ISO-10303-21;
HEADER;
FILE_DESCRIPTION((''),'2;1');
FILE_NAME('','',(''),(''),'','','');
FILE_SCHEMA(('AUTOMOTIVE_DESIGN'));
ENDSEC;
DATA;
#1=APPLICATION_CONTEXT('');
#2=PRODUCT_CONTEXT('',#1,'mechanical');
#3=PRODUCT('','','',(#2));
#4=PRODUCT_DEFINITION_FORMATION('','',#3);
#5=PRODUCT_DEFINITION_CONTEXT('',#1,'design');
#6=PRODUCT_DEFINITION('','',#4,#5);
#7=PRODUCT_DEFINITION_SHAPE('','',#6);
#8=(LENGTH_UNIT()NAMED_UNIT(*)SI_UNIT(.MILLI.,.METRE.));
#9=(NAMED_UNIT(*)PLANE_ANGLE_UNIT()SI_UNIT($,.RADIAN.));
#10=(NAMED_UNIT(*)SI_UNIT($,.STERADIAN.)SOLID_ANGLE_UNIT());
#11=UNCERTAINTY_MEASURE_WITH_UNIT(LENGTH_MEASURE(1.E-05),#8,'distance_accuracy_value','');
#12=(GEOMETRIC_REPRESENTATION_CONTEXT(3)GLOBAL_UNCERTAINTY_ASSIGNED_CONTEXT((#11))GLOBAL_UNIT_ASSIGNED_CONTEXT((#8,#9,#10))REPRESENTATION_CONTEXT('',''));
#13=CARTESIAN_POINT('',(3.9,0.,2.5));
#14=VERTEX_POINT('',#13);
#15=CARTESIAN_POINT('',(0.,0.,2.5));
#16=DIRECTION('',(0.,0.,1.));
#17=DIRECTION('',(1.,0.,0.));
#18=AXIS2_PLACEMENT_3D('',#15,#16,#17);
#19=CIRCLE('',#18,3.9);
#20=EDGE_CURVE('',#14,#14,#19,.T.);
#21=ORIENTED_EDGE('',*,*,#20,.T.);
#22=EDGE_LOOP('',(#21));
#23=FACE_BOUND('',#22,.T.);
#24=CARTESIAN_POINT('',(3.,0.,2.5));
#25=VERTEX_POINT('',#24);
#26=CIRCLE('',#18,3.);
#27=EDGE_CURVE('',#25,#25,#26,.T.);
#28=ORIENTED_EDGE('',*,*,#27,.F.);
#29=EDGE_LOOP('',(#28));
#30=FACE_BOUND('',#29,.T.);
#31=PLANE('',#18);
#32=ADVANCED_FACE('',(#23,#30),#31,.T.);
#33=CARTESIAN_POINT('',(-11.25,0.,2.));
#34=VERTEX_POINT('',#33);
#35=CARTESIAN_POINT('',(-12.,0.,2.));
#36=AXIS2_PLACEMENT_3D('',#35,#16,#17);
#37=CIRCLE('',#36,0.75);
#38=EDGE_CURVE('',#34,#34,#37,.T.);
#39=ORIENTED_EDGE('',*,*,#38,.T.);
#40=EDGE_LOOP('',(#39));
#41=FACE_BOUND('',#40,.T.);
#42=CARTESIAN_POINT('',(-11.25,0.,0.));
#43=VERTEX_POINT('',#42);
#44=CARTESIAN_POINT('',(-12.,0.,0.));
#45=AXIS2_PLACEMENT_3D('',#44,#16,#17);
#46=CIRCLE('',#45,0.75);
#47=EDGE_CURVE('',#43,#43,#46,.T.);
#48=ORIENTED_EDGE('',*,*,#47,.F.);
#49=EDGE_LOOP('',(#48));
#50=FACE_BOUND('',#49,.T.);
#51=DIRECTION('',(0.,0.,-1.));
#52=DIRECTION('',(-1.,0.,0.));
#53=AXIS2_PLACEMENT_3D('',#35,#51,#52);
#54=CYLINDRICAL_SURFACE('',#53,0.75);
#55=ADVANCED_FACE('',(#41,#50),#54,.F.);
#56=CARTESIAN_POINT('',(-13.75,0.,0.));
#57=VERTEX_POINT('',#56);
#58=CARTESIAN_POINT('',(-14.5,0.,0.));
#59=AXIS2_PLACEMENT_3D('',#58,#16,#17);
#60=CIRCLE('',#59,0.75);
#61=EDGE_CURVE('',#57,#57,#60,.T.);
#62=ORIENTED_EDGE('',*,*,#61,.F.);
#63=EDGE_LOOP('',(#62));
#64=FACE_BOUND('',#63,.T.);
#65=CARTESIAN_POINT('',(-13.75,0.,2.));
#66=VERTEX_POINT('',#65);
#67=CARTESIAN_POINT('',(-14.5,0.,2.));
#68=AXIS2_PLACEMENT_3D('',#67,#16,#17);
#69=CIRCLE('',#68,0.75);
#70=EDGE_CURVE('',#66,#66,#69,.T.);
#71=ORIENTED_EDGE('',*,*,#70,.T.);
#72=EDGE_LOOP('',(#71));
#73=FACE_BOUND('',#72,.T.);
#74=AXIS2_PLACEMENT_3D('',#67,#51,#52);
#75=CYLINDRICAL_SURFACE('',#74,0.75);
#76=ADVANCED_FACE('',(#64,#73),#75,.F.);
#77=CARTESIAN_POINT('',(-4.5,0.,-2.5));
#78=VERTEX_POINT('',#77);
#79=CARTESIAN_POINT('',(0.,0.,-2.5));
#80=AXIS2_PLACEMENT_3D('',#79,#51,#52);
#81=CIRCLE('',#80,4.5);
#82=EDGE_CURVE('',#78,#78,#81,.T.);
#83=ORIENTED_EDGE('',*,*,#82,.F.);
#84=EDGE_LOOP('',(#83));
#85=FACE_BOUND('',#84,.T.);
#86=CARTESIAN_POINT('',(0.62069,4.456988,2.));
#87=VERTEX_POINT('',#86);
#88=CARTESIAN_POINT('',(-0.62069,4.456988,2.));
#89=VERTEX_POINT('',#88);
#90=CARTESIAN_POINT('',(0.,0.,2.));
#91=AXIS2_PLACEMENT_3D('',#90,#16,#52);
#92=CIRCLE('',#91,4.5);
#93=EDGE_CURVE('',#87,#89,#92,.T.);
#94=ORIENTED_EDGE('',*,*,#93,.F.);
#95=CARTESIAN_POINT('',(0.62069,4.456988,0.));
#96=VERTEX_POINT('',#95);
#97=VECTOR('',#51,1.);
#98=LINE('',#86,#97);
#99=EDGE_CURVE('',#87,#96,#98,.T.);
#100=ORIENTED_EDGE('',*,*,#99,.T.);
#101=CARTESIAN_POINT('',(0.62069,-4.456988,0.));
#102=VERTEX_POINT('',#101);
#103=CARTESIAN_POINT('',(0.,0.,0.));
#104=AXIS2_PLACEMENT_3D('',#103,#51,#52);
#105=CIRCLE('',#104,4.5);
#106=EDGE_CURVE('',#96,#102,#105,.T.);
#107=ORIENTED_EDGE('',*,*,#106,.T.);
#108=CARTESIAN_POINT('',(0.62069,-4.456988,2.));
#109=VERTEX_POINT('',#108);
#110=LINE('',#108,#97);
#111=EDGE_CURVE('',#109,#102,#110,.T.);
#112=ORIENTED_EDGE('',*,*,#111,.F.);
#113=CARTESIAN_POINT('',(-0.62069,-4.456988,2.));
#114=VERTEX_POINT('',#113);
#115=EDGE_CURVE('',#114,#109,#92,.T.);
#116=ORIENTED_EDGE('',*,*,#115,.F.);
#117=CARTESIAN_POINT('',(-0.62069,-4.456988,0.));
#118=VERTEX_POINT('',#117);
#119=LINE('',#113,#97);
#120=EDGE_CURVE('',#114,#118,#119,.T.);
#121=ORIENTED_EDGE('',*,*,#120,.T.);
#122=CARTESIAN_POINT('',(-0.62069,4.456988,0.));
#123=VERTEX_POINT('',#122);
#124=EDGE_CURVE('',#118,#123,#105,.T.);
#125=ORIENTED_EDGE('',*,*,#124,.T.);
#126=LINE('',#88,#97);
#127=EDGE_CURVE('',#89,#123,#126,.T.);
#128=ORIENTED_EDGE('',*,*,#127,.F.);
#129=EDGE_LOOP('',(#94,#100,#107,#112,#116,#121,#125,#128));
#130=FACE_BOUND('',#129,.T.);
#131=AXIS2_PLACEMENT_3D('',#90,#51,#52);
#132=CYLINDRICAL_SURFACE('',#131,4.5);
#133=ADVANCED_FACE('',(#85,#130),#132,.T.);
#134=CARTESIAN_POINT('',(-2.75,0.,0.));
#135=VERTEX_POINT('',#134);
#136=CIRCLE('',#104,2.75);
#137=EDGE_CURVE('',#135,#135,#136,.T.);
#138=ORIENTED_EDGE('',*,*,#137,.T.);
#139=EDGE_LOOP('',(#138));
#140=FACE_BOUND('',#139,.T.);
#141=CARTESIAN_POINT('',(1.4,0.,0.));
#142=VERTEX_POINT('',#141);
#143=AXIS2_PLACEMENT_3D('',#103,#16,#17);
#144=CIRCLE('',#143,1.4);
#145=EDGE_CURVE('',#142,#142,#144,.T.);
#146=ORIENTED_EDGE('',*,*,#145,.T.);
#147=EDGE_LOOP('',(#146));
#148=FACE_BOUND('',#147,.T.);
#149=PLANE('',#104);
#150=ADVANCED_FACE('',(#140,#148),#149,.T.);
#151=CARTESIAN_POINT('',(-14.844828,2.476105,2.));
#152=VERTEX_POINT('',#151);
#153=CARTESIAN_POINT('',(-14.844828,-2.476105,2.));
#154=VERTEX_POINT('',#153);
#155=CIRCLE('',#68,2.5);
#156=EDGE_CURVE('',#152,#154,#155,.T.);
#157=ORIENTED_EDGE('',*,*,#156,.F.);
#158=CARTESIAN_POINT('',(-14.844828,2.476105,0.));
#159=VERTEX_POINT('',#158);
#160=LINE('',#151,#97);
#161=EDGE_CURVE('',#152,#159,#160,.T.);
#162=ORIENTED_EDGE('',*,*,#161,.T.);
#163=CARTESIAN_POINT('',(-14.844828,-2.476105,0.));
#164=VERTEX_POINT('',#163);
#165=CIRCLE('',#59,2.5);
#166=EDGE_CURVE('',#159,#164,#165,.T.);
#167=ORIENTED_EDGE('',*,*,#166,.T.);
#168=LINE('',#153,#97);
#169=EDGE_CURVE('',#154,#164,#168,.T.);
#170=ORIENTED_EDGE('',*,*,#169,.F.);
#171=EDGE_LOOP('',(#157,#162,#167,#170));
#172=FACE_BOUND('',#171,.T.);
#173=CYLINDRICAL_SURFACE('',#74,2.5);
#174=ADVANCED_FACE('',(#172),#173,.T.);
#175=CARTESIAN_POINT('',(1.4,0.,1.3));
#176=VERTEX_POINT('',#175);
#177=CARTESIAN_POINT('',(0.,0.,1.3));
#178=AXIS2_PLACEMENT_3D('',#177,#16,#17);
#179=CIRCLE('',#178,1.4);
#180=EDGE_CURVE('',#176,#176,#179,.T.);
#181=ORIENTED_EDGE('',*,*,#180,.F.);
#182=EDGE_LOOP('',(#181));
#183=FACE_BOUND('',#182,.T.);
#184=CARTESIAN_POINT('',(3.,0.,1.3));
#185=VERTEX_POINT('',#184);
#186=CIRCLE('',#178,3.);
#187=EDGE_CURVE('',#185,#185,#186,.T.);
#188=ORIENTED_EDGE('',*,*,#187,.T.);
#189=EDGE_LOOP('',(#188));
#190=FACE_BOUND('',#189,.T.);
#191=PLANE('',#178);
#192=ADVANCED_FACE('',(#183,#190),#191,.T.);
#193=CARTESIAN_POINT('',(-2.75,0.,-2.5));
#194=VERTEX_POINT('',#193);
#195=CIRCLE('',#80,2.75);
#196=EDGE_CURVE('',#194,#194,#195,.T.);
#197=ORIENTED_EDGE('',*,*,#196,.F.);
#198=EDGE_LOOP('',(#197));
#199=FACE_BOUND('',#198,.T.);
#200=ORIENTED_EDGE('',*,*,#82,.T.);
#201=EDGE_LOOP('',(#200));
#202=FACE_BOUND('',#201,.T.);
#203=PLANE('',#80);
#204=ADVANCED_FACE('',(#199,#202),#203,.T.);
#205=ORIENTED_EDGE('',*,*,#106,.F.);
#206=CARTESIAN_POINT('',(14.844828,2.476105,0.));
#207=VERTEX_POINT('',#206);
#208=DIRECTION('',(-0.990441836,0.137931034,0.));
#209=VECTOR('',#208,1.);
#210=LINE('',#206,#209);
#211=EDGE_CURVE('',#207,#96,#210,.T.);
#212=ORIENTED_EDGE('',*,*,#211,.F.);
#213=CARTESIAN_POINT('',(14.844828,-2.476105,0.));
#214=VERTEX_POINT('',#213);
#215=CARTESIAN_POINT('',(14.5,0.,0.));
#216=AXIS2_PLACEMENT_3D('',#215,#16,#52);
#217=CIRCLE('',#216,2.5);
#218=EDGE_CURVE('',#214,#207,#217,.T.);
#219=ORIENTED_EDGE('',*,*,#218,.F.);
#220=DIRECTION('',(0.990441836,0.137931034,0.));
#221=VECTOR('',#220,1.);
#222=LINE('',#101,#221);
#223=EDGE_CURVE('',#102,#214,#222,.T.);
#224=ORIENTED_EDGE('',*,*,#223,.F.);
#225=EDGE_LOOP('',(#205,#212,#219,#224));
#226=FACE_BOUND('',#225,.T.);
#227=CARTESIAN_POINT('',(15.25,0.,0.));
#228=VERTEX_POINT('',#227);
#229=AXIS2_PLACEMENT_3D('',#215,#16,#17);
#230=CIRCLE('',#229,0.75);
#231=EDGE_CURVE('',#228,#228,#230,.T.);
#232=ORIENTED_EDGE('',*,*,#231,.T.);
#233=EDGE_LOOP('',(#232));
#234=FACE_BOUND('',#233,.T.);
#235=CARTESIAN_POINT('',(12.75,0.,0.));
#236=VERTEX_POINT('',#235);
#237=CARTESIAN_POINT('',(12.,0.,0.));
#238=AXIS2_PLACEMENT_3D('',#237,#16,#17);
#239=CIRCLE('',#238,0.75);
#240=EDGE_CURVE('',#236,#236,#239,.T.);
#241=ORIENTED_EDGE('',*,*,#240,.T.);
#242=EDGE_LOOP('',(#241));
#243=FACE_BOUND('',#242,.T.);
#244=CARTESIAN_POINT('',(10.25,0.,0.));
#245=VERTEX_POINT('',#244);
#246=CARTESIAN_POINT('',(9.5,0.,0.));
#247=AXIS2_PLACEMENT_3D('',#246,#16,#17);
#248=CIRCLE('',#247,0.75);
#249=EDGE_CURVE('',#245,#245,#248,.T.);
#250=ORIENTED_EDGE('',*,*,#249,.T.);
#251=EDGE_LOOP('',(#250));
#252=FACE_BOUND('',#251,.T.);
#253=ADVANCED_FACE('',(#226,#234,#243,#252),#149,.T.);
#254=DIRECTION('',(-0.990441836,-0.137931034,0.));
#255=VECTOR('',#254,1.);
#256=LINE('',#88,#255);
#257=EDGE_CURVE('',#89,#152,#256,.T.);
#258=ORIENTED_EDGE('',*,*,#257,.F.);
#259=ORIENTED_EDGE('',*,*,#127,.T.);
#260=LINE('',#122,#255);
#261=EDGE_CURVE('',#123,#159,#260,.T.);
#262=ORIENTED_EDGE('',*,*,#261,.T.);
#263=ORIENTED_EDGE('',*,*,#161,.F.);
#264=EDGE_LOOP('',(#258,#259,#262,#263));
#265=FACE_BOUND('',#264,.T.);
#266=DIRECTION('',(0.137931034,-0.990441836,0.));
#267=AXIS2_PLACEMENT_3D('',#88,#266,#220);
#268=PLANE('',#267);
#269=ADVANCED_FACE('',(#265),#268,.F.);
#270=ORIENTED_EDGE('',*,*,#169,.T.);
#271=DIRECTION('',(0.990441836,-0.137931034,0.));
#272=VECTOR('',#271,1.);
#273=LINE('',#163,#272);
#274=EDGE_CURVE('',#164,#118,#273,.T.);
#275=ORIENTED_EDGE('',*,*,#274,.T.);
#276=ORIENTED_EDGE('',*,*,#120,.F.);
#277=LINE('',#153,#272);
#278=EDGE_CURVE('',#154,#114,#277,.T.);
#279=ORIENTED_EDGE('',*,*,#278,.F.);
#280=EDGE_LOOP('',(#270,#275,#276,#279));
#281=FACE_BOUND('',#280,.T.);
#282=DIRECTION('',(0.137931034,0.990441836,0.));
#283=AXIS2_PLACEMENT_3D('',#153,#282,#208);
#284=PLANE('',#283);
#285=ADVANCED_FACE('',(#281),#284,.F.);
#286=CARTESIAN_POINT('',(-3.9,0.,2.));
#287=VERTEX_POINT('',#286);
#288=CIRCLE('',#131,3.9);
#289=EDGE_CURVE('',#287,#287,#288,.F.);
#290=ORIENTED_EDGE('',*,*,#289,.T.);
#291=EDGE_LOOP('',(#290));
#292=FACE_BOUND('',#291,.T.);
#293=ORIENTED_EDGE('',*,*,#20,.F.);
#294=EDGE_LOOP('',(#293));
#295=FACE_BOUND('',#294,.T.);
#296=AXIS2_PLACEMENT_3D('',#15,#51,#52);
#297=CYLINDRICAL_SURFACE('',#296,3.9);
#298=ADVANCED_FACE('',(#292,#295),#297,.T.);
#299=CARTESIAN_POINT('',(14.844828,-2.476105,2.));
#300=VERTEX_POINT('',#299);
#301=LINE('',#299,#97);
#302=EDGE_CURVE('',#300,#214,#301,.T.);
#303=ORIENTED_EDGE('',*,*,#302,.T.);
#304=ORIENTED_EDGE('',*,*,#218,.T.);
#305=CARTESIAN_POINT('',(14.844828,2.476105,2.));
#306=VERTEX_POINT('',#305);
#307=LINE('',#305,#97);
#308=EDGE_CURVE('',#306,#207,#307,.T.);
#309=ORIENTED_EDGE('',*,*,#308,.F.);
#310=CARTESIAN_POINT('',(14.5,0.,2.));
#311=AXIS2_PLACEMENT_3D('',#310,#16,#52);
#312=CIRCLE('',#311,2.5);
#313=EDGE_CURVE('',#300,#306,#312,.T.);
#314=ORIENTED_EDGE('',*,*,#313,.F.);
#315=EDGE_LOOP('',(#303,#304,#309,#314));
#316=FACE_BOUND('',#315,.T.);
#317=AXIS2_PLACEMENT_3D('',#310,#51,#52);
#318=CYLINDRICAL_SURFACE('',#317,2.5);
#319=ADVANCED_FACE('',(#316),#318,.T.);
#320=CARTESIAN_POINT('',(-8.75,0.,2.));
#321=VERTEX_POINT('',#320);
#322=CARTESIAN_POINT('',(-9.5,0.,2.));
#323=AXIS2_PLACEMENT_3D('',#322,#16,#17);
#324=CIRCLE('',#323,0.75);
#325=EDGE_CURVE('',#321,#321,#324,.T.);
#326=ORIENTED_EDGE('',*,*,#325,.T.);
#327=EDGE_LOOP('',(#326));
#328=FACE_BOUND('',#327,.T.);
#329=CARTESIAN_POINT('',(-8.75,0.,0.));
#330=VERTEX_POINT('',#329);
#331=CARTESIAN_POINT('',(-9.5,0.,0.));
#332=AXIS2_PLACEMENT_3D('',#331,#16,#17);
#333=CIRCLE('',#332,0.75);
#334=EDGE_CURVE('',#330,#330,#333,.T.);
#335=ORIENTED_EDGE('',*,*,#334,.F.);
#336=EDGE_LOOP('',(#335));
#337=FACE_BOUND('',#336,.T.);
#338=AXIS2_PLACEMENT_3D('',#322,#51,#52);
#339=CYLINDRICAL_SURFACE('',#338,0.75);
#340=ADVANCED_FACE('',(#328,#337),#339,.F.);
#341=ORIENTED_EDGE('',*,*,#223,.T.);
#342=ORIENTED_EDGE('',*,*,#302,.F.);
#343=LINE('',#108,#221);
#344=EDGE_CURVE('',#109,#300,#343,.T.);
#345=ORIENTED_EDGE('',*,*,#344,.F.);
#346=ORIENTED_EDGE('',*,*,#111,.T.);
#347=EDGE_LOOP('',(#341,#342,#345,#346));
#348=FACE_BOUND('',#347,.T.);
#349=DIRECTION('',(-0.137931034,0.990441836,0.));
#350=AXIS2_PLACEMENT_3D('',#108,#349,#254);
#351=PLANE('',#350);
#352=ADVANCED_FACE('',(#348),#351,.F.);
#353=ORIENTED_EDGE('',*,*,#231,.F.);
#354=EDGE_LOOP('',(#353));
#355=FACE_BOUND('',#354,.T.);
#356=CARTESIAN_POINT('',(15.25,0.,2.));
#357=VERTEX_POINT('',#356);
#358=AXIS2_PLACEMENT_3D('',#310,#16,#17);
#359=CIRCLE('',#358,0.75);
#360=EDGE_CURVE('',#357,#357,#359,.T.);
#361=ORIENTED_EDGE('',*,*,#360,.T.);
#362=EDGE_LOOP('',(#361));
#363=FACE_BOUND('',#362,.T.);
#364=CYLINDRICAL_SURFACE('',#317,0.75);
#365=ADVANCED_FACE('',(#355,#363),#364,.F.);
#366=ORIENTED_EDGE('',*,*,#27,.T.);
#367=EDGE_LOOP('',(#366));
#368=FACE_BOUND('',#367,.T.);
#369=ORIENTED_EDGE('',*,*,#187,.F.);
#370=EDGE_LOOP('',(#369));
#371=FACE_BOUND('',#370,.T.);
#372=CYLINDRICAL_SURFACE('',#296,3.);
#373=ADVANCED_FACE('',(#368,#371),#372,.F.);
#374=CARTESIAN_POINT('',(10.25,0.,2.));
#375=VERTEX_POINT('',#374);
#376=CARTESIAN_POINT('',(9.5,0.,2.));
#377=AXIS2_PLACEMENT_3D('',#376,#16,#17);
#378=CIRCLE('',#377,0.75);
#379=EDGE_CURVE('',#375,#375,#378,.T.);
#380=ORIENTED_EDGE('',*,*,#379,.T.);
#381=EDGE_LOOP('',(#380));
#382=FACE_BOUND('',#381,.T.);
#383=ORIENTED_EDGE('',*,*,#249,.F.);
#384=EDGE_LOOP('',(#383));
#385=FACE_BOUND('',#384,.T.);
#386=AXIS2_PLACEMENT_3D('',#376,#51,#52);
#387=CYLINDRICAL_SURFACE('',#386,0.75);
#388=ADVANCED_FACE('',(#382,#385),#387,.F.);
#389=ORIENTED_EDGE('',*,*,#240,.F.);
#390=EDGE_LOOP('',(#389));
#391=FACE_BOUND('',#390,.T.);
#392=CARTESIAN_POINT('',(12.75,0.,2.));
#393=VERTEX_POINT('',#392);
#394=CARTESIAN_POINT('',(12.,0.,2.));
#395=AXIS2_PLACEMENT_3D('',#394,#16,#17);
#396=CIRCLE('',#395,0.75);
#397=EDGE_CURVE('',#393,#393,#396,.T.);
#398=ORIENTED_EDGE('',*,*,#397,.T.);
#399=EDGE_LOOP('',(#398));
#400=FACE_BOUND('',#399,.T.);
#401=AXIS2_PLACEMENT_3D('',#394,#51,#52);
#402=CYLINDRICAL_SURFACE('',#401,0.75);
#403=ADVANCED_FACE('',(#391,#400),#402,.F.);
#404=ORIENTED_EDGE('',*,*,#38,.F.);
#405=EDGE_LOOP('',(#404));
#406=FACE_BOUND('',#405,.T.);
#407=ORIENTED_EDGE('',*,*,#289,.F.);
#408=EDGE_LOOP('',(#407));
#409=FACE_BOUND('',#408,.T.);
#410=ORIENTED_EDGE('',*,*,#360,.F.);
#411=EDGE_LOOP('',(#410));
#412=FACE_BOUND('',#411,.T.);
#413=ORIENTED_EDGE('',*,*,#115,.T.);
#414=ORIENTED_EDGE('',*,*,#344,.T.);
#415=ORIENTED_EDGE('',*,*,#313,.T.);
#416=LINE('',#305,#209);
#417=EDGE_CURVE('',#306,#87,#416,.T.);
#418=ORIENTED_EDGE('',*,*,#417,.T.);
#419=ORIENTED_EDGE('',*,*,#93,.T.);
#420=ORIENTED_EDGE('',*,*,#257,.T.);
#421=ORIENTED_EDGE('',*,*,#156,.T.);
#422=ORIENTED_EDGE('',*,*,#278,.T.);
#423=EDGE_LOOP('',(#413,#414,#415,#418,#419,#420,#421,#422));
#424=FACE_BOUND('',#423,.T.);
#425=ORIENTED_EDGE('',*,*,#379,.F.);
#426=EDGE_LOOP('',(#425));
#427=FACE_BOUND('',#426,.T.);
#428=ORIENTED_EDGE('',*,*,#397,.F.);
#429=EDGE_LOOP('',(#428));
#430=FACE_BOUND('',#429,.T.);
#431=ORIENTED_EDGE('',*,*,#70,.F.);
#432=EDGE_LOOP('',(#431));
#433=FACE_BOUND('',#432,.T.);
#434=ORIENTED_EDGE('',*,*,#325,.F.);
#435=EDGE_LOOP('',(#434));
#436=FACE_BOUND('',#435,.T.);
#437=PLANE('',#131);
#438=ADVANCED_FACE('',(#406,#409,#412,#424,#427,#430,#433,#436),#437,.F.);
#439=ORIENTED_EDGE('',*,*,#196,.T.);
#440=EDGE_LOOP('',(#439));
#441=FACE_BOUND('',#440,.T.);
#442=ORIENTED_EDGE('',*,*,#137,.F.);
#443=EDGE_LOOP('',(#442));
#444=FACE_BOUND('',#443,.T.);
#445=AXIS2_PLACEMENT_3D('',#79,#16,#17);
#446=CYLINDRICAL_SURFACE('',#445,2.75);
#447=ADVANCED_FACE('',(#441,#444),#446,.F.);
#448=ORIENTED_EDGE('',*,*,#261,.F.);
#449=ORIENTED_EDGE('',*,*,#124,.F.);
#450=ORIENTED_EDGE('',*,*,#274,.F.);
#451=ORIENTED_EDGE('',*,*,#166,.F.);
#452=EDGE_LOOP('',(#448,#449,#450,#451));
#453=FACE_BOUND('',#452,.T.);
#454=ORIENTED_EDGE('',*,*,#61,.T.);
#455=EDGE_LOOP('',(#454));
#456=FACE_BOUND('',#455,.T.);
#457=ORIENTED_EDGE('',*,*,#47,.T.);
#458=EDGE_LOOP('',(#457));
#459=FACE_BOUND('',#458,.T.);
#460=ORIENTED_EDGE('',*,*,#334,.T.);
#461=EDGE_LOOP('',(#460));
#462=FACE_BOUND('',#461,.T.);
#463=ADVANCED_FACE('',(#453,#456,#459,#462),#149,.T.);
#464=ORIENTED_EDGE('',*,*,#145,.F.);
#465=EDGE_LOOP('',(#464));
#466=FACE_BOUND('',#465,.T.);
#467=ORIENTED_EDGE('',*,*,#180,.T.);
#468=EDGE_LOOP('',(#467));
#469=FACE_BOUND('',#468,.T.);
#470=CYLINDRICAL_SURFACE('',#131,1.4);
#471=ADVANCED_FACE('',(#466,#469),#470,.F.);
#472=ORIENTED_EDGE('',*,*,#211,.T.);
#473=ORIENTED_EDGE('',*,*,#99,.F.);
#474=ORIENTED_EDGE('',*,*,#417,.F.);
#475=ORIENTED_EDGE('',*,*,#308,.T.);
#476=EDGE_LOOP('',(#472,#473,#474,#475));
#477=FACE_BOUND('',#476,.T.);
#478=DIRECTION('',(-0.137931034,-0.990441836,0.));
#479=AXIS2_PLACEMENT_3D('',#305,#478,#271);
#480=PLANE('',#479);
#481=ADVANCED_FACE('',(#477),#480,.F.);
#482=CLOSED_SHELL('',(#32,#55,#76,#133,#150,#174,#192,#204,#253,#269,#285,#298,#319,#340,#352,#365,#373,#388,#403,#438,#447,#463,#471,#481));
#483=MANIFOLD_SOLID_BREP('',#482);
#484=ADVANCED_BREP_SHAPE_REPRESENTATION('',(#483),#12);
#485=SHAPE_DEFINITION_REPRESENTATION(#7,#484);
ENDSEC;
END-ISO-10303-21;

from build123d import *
from build123d.topology import SkipClean

# Parameters (mm, degrees)
ESQUISSE1_R             = 1.4
ESQUISSE1_R_2           = 0.75
BOSS_EXTRU_1_DEPTH      = 2
ESQUISSE2_R             = 3.9
ESQUISSE2_R_2           = 3
BOSS_EXTRU_2_DEPTH      = 0.5
ENL_V_START             = -1.2
ESQUISSE3_R             = 3
ENL_V_MAT_EXTRU_1_DEPTH = 1.2
BOSS_EXTRU_3_START      = 2.5
ESQUISSE4_R             = 4.5
ESQUISSE4_R_2           = 2.75
BOSS_EXTRU_3_DEPTH      = 2.5


with BuildPart() as part:
    # Esquisse1 → Boss.-Extru.1 (new body)
    with BuildSketch(Plane.XY):
        with BuildLine():
            Line((-0.620689655, 4.45698826), (-14.844827586, 2.476104589))
            ThreePointArc((-14.844827586, 2.476104589), (-17, 0), (-14.844827586, -2.476104589))
            Line((-14.844827586, -2.476104589), (-0.620689655, -4.45698826))
            ThreePointArc((-0.620689655, -4.45698826), (0, -4.5), (0.620689655, -4.45698826))
            Line((0.620689655, -4.45698826), (14.844827586, -2.476104589))
            ThreePointArc((14.844827586, -2.476104589), (17, 0), (14.844827586, 2.476104589))
            Line((14.844827586, 2.476104589), (0.620689655, 4.45698826))
            ThreePointArc((0.620689655, 4.45698826), (0, 4.5), (-0.620689655, 4.45698826))
        make_face()
        Circle(ESQUISSE1_R, mode=Mode.SUBTRACT)
        with Locations((14.5, 0)):
            Circle(ESQUISSE1_R_2, mode=Mode.SUBTRACT)
        with Locations((-14.5, 0)):
            Circle(ESQUISSE1_R_2, mode=Mode.SUBTRACT)
        with Locations((-12, 0)):
            Circle(ESQUISSE1_R_2, mode=Mode.SUBTRACT)
        with Locations((-9.5, 0)):
            Circle(ESQUISSE1_R_2, mode=Mode.SUBTRACT)
        with Locations((9.5, 0)):
            Circle(ESQUISSE1_R_2, mode=Mode.SUBTRACT)
        with Locations((12, 0)):
            Circle(ESQUISSE1_R_2, mode=Mode.SUBTRACT)
    extrude(amount=BOSS_EXTRU_1_DEPTH)

    # Esquisse2 → Boss.-Extru.2 (add)
    with BuildSketch(Plane.XY.offset(2)):
        with Locations(Location((0, 0, 0), (0, 0, 180))):
            Circle(ESQUISSE2_R)
        Circle(ESQUISSE2_R_2, mode=Mode.SUBTRACT)
    extrude(amount=BOSS_EXTRU_2_DEPTH)

    # Esquisse3 → Enlèv. mat.-Extru.1 (cut)
    with BuildSketch(Plane.XY.offset(2.5).offset(ENL_V_START)):
        Circle(ESQUISSE3_R)
    extrude(amount=ENL_V_MAT_EXTRU_1_DEPTH, mode=Mode.SUBTRACT)

    # Esquisse4 → Boss.-Extru.3 (add)
    with SkipClean():  # the faces are left unmerged after this step: merging them gives an invalid solid
        with BuildSketch(Plane(origin=(0, 0, 0), x_dir=(-1, 0, 0), z_dir=(0, 0, -1)).offset(BOSS_EXTRU_3_START)):
            Circle(ESQUISSE4_R)
            Circle(ESQUISSE4_R_2, mode=Mode.SUBTRACT)
        extrude(amount=-BOSS_EXTRU_3_DEPTH)


solid = part.part
